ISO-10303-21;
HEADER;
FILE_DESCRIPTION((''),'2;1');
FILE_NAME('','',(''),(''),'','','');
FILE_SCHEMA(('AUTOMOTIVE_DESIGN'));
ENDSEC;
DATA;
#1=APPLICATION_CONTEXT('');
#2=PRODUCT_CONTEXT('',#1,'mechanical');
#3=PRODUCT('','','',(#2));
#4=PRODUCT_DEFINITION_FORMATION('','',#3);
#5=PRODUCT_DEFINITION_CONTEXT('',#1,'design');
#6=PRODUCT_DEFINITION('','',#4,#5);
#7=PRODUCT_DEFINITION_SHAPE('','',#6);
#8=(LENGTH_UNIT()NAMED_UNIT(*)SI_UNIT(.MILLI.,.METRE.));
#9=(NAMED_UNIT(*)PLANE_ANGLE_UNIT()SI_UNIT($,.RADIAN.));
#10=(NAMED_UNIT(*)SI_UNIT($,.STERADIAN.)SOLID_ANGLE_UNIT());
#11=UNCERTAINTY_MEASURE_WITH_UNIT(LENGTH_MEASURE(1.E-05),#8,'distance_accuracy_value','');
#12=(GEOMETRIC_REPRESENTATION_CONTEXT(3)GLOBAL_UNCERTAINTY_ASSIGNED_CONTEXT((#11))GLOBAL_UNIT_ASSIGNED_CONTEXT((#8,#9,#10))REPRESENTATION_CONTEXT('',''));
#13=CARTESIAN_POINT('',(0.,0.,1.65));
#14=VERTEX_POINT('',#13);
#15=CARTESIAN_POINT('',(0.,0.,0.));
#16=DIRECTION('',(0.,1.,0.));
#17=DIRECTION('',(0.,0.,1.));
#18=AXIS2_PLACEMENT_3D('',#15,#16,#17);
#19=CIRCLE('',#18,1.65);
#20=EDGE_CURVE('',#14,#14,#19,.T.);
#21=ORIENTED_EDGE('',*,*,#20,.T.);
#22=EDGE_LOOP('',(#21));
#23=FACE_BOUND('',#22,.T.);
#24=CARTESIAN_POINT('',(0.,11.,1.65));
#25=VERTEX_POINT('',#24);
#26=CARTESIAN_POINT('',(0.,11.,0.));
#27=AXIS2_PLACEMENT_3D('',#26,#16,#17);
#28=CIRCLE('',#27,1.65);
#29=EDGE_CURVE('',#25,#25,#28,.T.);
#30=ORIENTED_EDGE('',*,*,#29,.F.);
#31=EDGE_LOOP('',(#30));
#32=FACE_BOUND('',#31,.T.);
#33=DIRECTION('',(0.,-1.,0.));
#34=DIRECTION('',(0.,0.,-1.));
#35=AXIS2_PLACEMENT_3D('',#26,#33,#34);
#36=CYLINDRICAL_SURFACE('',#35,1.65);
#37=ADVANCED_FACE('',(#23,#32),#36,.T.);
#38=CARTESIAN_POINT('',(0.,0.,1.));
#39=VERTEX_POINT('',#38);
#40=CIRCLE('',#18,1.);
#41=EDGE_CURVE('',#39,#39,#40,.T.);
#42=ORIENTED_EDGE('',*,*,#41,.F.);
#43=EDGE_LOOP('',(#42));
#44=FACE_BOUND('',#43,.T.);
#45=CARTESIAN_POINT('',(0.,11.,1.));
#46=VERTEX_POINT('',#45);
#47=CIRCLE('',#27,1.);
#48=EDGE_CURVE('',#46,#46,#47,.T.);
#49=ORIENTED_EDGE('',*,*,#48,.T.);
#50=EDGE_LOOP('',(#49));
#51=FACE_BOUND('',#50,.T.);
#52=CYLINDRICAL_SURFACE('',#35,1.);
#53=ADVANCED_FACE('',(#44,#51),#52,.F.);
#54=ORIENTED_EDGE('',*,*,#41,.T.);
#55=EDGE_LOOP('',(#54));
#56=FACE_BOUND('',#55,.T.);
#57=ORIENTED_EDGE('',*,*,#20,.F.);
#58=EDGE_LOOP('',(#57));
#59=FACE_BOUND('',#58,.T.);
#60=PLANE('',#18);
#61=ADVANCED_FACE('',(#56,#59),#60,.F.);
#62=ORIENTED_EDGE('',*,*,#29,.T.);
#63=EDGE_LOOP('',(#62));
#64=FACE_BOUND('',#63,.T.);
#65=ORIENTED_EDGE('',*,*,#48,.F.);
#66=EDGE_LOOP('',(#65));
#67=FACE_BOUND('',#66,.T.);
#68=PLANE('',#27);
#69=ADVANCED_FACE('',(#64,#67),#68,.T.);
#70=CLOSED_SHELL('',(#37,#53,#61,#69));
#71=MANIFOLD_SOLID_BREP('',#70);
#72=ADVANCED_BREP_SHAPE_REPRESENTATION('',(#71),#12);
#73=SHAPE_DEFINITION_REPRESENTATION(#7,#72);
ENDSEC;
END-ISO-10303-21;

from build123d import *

# Parameters (mm, degrees)
SKETCH_M2_R      = 1.65
SKETCH_M2_R_2    = 1
EXTRUDE_M2_DEPTH = 11


with BuildPart() as part:
    # M2铜柱草图 → M2铜柱 (new body)
    with BuildSketch(Plane(origin=(0, 0, 0), x_dir=(1, 0, 0), z_dir=(0, 1, 0))):
        with Locations(Location((0, 0, 0), (0, 0, 270))):
            Circle(SKETCH_M2_R)
        with Locations(Location((0, 0, 0), (0, 0, 270))):
            Circle(SKETCH_M2_R_2, mode=Mode.SUBTRACT)
    extrude(amount=EXTRUDE_M2_DEPTH)


solid = part.part
